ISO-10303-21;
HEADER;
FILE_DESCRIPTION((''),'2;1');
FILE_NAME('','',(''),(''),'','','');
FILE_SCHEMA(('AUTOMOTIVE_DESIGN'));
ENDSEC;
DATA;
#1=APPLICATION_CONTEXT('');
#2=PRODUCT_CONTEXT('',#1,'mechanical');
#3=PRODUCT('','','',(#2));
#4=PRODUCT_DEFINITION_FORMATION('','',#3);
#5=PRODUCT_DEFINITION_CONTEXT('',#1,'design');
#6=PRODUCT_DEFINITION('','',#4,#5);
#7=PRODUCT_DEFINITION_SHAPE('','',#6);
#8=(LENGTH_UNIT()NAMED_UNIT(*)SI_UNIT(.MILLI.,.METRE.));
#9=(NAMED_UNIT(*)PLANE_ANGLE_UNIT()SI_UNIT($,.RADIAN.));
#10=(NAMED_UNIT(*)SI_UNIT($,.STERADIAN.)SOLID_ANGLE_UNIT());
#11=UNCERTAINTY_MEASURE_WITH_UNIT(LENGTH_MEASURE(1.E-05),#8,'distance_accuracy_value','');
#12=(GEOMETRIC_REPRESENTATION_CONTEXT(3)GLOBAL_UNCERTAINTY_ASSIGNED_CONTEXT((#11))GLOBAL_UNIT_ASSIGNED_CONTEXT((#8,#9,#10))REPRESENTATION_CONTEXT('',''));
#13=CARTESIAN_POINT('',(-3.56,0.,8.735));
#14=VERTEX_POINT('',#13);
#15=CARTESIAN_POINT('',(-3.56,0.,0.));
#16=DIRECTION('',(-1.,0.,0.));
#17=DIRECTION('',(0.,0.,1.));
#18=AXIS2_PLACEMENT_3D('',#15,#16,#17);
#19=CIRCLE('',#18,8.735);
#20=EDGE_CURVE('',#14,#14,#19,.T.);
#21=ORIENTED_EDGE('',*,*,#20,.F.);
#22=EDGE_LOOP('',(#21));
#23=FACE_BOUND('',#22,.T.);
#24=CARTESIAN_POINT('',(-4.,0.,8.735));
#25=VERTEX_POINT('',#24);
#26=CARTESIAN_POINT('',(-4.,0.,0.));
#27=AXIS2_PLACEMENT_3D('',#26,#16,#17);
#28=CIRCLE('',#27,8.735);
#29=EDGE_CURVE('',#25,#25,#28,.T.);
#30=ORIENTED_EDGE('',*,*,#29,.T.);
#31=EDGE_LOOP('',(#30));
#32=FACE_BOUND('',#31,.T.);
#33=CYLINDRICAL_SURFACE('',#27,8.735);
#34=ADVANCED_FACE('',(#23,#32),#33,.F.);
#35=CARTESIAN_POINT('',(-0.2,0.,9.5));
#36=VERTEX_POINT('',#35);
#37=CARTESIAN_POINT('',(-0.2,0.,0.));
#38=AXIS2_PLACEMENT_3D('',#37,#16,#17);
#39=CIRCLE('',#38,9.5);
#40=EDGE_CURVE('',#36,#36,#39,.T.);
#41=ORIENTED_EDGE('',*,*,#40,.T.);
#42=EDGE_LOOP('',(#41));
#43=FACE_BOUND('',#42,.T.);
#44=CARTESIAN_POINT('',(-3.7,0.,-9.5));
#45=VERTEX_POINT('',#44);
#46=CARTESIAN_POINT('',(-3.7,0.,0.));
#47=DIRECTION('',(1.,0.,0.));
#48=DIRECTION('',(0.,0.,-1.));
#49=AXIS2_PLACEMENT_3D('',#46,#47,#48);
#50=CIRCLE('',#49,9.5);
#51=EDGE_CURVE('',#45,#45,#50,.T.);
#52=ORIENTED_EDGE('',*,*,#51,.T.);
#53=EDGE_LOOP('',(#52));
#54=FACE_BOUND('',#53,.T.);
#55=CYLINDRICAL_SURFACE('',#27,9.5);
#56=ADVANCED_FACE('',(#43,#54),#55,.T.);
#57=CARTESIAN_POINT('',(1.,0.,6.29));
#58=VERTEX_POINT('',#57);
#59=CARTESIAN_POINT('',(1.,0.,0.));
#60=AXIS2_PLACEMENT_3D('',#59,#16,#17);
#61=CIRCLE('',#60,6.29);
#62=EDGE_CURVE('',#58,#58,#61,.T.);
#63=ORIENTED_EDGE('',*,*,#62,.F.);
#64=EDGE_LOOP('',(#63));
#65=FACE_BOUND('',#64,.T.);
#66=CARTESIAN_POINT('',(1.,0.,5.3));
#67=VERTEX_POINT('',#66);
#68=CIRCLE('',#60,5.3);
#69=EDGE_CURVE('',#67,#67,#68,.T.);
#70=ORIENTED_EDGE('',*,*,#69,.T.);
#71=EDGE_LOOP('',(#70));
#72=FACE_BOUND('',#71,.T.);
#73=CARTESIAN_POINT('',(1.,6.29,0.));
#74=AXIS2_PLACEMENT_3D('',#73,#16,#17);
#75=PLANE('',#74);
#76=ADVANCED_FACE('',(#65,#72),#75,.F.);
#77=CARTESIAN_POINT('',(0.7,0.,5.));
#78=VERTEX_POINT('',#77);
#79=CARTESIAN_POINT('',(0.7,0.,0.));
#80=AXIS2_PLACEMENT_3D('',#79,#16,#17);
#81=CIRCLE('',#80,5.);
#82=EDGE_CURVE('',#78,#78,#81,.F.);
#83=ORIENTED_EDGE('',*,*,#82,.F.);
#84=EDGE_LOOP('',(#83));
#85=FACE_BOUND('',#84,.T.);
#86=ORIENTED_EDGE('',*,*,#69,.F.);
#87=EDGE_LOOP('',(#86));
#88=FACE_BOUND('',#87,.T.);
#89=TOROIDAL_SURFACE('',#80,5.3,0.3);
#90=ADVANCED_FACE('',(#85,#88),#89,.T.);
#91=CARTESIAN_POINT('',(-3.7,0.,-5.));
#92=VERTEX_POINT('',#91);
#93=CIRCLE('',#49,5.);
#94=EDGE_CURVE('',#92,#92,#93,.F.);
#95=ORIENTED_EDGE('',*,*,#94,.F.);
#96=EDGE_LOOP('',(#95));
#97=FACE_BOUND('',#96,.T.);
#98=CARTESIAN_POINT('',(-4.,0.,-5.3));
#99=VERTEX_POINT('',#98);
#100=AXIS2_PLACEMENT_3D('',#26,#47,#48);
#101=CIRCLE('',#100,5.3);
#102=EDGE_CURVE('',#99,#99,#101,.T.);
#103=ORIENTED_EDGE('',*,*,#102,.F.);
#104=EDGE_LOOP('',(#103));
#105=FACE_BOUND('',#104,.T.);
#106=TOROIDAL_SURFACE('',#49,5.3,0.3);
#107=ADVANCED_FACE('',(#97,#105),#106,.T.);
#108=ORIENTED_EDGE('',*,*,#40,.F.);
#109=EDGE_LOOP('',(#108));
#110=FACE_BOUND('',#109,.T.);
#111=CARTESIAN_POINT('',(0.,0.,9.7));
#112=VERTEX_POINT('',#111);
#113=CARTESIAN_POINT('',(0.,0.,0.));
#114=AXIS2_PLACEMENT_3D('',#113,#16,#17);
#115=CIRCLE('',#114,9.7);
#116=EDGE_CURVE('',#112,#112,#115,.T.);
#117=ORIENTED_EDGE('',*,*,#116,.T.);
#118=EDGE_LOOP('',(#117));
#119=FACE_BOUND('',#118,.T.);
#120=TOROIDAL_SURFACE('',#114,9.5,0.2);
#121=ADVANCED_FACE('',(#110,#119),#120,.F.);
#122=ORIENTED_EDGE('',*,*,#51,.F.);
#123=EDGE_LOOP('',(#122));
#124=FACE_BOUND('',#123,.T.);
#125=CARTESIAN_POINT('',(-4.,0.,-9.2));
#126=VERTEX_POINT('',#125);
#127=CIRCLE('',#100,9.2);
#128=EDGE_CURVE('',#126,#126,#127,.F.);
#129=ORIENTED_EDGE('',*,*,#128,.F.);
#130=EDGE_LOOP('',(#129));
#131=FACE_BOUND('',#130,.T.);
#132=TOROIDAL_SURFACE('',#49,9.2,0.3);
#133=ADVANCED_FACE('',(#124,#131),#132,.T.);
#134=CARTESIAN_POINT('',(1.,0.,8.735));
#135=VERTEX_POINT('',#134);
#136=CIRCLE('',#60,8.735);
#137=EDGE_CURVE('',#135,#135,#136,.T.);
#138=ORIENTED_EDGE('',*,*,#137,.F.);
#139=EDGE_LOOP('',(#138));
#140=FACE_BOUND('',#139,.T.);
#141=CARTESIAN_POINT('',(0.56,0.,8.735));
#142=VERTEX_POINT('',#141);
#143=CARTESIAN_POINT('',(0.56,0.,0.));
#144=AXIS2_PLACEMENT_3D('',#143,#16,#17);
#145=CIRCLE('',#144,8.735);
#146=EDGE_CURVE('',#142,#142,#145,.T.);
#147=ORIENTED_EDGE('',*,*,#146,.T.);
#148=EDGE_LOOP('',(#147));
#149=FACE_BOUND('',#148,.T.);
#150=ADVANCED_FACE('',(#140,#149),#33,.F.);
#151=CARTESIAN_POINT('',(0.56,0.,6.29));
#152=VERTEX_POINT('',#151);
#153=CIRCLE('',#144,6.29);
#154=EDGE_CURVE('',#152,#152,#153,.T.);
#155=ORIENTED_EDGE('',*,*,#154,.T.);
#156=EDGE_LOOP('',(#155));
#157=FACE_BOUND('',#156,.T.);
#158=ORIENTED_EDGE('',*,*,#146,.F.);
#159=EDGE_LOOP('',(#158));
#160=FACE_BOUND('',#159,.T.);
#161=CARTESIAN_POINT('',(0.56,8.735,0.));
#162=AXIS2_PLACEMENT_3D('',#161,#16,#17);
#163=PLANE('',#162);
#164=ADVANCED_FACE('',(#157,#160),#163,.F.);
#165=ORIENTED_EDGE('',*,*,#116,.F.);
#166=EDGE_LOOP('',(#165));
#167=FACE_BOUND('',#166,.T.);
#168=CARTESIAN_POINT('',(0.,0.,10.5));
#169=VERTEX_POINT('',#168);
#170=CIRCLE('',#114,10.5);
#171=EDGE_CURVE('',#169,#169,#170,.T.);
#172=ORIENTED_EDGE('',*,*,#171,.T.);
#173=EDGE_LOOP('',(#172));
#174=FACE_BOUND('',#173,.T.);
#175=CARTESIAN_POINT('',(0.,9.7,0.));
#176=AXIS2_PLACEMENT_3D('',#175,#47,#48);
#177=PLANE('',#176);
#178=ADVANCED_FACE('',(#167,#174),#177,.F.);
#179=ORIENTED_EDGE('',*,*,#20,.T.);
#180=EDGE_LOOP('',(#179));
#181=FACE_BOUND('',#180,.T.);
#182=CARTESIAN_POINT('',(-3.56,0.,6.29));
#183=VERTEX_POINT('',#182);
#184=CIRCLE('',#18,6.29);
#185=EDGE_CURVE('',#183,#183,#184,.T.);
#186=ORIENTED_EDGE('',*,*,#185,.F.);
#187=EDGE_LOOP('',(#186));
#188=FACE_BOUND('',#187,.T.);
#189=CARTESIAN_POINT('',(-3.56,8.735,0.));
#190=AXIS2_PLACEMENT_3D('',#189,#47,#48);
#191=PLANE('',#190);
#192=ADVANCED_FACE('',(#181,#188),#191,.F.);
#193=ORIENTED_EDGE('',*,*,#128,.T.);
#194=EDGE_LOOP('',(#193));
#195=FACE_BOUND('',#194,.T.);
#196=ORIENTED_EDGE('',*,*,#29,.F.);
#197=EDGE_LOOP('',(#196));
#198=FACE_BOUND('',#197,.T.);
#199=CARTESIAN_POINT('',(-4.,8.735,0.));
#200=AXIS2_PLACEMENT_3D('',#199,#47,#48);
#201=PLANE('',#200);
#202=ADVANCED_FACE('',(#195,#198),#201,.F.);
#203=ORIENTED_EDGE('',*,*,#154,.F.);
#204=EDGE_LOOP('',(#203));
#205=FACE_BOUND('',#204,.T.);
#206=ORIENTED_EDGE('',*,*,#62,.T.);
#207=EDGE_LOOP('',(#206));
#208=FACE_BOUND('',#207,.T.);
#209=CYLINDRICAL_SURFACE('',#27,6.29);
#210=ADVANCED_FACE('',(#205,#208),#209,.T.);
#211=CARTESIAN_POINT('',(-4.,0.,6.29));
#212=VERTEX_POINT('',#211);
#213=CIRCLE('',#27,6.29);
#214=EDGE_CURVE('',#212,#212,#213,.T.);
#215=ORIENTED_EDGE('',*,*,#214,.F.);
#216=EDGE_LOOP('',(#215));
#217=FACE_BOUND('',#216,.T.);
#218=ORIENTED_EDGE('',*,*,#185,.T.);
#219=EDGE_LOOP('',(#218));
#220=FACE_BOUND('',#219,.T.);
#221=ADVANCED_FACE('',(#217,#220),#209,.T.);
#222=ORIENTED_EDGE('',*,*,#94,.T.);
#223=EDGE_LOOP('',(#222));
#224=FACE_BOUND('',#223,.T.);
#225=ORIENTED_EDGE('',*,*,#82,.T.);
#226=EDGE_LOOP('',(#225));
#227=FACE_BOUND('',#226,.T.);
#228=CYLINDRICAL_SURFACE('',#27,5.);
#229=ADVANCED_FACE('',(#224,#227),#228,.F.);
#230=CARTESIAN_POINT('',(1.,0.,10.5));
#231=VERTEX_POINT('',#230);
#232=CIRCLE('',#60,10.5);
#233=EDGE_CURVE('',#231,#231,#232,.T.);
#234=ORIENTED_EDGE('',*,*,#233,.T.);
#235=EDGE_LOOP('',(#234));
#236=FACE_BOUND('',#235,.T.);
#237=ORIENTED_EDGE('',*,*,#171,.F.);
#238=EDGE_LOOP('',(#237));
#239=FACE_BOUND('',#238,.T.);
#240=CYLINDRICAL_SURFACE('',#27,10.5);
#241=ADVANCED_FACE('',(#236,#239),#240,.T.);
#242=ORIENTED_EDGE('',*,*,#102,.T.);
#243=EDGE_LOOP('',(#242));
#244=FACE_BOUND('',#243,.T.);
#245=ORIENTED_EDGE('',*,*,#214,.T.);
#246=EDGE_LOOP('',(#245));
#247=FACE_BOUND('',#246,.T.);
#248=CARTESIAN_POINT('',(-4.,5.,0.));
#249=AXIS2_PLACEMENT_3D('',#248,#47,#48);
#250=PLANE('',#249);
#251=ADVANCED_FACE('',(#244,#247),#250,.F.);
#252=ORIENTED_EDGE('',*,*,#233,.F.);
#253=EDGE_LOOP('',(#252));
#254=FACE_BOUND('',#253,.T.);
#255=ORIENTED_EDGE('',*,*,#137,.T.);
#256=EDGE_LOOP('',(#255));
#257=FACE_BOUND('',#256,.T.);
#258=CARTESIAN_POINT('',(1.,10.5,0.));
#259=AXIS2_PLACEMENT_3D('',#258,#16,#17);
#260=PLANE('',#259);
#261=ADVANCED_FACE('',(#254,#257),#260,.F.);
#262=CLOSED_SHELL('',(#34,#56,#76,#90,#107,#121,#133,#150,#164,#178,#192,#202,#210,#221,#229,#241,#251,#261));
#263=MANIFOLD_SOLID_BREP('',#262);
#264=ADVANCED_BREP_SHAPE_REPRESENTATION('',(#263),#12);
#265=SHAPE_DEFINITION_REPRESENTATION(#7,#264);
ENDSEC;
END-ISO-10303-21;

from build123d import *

# Parameters (mm, degrees)
FILLET1_R = 0.3


with BuildPart() as part:
    # Sketch1 → Revolve1 (revolve)
    with BuildSketch(Plane.XY):
        with BuildLine():
            Line((0, 9.7), (0, 10.5))
            Line((0, 10.5), (1, 10.5))
            Line((1, 10.5), (1, 8.735))
            Line((1, 8.735), (0.56, 8.735))
            Line((0.56, 8.735), (0.56, 6.29))
            Line((0.56, 6.29), (1, 6.29))
            Line((1, 6.29), (1, 5))
            Line((1, 5), (-4, 5))
            Line((-4, 5), (-4, 6.29))
            Line((-4, 6.29), (-3.56, 6.29))
            Line((-3.56, 6.29), (-3.56, 8.735))
            Line((-3.56, 8.735), (-4, 8.735))
            Line((-4, 8.735), (-4, 9.5))
            Line((-4, 9.5), (-0.2, 9.5))
            ThreePointArc((-0.2, 9.5), (0.141421356, 9.358578644), (0, 9.7))
        make_face()
    revolve(axis=Axis((-4, 0, 0), (1, 0, 0)))

    # Fillet1
    fillet1_edges = [part.edges().sort_by_distance(p)[0] for p in [
        (1, -5, 0),
        (-4, -5, 0),
        (-4, -9.5, 0),
    ]]
    fillet(fillet1_edges, radius=FILLET1_R)


solid = part.part
